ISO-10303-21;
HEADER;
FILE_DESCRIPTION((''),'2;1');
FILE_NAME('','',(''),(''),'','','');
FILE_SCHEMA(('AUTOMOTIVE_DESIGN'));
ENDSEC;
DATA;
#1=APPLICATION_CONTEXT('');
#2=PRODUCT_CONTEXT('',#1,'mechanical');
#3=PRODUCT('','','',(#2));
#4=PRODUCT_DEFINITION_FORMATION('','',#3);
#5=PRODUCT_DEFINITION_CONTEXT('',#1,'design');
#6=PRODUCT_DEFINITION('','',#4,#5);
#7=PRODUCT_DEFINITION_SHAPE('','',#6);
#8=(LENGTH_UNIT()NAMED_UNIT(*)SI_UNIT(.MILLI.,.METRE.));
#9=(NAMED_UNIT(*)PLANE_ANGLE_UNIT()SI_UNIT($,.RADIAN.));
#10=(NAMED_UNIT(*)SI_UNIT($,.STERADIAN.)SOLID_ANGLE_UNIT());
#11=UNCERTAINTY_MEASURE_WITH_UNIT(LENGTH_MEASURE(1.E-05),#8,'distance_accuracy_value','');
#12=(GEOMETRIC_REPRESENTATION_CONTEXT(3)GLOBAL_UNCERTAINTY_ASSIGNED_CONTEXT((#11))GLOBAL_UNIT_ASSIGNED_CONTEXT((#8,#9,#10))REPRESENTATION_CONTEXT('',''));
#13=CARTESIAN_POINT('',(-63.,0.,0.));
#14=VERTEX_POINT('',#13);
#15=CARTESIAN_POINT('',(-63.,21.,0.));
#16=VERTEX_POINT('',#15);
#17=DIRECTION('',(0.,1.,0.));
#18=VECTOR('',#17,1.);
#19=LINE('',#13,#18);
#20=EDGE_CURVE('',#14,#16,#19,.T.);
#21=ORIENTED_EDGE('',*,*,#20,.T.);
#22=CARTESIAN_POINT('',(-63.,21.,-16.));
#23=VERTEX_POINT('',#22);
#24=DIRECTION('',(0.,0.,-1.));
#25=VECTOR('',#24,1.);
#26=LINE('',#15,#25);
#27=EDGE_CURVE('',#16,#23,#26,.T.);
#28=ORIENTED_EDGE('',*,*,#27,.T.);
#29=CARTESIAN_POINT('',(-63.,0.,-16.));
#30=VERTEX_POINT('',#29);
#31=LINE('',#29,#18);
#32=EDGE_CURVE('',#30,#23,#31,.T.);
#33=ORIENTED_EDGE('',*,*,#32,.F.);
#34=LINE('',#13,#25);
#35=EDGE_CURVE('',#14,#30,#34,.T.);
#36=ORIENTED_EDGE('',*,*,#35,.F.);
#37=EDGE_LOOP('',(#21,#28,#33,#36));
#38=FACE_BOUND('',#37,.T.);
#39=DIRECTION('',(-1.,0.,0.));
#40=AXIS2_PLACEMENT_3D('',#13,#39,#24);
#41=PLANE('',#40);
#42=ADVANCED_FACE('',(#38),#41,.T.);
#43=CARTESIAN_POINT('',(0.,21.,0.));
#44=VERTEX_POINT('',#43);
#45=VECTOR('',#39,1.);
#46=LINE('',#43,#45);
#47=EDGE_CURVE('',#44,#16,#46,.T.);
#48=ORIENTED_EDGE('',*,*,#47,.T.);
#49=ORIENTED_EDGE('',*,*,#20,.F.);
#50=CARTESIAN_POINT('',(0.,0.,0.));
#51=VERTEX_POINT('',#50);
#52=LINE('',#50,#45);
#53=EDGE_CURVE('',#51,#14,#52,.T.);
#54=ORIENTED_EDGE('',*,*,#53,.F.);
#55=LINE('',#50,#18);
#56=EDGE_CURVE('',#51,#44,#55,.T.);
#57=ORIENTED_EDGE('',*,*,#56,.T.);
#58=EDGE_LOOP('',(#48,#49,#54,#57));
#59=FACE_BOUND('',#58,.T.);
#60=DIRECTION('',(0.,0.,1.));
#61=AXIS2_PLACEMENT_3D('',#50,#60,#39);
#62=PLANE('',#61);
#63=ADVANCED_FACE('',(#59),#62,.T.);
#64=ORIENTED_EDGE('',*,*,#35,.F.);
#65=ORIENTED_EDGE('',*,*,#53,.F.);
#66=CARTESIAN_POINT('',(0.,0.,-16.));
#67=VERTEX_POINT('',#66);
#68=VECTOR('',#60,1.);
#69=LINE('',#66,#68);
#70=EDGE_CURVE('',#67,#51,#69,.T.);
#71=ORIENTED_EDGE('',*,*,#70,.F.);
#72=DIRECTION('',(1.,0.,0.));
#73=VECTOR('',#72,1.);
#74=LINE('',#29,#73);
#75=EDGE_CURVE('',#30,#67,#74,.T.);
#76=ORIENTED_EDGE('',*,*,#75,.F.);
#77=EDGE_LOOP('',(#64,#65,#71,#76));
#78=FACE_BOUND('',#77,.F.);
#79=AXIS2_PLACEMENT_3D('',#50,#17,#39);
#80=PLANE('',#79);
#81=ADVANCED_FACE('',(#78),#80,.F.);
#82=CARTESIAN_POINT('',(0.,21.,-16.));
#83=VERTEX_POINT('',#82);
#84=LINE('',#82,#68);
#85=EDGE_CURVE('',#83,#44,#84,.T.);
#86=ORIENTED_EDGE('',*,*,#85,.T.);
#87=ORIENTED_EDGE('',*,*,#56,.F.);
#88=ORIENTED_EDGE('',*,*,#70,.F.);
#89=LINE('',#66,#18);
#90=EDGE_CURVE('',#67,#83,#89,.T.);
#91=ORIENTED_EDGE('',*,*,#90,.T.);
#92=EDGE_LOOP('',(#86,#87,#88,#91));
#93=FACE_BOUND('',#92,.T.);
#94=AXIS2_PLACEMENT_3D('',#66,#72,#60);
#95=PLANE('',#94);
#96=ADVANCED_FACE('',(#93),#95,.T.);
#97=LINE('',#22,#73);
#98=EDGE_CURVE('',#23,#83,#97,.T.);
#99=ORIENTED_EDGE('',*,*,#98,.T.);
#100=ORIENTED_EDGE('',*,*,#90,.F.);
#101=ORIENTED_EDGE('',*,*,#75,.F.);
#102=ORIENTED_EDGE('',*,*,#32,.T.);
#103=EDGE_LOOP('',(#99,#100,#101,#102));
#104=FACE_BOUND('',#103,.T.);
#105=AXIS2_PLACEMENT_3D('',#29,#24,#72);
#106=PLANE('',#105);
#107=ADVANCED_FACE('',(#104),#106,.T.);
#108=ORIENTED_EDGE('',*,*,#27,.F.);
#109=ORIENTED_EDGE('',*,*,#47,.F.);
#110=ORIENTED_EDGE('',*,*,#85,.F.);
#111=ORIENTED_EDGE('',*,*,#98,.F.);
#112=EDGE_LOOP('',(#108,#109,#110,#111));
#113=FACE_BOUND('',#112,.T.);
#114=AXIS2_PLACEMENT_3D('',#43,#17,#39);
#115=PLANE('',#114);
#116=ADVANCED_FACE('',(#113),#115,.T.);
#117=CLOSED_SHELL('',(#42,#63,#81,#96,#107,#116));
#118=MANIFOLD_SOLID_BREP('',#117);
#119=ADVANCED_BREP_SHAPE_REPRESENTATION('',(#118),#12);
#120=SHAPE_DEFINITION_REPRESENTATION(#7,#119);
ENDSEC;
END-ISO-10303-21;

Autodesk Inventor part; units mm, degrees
ref_plane "YZ Plane" through (0, 0, 0) normal (1, 0, 0) x (0, 1, 0)
ref_plane "XZ Plane" through (0, 0, 0) normal (0, 1, 0) x (-1, 0, 0)
ref_plane "XY Plane" through (0, 0, 0) normal (0, 0, 1) x (1, 0, 0)
sketch "Sketch1" plane through (0, 0, 0) normal (0, 1, 0) x (-1, 0, 0)
  line L0 (0, 0) -> (63, 0)
  line L1 (63, 0) -> (63, -16)
  line L2 (63, -16) -> (0, -16)
  line L3 (0, -16) -> (0, 0)
  dimension "d0" = 63
  dimension "d1" = 16
extrude "Extrusion1" add sketch "Sketch1" along normal blind 21
properties part number "akumulator"
